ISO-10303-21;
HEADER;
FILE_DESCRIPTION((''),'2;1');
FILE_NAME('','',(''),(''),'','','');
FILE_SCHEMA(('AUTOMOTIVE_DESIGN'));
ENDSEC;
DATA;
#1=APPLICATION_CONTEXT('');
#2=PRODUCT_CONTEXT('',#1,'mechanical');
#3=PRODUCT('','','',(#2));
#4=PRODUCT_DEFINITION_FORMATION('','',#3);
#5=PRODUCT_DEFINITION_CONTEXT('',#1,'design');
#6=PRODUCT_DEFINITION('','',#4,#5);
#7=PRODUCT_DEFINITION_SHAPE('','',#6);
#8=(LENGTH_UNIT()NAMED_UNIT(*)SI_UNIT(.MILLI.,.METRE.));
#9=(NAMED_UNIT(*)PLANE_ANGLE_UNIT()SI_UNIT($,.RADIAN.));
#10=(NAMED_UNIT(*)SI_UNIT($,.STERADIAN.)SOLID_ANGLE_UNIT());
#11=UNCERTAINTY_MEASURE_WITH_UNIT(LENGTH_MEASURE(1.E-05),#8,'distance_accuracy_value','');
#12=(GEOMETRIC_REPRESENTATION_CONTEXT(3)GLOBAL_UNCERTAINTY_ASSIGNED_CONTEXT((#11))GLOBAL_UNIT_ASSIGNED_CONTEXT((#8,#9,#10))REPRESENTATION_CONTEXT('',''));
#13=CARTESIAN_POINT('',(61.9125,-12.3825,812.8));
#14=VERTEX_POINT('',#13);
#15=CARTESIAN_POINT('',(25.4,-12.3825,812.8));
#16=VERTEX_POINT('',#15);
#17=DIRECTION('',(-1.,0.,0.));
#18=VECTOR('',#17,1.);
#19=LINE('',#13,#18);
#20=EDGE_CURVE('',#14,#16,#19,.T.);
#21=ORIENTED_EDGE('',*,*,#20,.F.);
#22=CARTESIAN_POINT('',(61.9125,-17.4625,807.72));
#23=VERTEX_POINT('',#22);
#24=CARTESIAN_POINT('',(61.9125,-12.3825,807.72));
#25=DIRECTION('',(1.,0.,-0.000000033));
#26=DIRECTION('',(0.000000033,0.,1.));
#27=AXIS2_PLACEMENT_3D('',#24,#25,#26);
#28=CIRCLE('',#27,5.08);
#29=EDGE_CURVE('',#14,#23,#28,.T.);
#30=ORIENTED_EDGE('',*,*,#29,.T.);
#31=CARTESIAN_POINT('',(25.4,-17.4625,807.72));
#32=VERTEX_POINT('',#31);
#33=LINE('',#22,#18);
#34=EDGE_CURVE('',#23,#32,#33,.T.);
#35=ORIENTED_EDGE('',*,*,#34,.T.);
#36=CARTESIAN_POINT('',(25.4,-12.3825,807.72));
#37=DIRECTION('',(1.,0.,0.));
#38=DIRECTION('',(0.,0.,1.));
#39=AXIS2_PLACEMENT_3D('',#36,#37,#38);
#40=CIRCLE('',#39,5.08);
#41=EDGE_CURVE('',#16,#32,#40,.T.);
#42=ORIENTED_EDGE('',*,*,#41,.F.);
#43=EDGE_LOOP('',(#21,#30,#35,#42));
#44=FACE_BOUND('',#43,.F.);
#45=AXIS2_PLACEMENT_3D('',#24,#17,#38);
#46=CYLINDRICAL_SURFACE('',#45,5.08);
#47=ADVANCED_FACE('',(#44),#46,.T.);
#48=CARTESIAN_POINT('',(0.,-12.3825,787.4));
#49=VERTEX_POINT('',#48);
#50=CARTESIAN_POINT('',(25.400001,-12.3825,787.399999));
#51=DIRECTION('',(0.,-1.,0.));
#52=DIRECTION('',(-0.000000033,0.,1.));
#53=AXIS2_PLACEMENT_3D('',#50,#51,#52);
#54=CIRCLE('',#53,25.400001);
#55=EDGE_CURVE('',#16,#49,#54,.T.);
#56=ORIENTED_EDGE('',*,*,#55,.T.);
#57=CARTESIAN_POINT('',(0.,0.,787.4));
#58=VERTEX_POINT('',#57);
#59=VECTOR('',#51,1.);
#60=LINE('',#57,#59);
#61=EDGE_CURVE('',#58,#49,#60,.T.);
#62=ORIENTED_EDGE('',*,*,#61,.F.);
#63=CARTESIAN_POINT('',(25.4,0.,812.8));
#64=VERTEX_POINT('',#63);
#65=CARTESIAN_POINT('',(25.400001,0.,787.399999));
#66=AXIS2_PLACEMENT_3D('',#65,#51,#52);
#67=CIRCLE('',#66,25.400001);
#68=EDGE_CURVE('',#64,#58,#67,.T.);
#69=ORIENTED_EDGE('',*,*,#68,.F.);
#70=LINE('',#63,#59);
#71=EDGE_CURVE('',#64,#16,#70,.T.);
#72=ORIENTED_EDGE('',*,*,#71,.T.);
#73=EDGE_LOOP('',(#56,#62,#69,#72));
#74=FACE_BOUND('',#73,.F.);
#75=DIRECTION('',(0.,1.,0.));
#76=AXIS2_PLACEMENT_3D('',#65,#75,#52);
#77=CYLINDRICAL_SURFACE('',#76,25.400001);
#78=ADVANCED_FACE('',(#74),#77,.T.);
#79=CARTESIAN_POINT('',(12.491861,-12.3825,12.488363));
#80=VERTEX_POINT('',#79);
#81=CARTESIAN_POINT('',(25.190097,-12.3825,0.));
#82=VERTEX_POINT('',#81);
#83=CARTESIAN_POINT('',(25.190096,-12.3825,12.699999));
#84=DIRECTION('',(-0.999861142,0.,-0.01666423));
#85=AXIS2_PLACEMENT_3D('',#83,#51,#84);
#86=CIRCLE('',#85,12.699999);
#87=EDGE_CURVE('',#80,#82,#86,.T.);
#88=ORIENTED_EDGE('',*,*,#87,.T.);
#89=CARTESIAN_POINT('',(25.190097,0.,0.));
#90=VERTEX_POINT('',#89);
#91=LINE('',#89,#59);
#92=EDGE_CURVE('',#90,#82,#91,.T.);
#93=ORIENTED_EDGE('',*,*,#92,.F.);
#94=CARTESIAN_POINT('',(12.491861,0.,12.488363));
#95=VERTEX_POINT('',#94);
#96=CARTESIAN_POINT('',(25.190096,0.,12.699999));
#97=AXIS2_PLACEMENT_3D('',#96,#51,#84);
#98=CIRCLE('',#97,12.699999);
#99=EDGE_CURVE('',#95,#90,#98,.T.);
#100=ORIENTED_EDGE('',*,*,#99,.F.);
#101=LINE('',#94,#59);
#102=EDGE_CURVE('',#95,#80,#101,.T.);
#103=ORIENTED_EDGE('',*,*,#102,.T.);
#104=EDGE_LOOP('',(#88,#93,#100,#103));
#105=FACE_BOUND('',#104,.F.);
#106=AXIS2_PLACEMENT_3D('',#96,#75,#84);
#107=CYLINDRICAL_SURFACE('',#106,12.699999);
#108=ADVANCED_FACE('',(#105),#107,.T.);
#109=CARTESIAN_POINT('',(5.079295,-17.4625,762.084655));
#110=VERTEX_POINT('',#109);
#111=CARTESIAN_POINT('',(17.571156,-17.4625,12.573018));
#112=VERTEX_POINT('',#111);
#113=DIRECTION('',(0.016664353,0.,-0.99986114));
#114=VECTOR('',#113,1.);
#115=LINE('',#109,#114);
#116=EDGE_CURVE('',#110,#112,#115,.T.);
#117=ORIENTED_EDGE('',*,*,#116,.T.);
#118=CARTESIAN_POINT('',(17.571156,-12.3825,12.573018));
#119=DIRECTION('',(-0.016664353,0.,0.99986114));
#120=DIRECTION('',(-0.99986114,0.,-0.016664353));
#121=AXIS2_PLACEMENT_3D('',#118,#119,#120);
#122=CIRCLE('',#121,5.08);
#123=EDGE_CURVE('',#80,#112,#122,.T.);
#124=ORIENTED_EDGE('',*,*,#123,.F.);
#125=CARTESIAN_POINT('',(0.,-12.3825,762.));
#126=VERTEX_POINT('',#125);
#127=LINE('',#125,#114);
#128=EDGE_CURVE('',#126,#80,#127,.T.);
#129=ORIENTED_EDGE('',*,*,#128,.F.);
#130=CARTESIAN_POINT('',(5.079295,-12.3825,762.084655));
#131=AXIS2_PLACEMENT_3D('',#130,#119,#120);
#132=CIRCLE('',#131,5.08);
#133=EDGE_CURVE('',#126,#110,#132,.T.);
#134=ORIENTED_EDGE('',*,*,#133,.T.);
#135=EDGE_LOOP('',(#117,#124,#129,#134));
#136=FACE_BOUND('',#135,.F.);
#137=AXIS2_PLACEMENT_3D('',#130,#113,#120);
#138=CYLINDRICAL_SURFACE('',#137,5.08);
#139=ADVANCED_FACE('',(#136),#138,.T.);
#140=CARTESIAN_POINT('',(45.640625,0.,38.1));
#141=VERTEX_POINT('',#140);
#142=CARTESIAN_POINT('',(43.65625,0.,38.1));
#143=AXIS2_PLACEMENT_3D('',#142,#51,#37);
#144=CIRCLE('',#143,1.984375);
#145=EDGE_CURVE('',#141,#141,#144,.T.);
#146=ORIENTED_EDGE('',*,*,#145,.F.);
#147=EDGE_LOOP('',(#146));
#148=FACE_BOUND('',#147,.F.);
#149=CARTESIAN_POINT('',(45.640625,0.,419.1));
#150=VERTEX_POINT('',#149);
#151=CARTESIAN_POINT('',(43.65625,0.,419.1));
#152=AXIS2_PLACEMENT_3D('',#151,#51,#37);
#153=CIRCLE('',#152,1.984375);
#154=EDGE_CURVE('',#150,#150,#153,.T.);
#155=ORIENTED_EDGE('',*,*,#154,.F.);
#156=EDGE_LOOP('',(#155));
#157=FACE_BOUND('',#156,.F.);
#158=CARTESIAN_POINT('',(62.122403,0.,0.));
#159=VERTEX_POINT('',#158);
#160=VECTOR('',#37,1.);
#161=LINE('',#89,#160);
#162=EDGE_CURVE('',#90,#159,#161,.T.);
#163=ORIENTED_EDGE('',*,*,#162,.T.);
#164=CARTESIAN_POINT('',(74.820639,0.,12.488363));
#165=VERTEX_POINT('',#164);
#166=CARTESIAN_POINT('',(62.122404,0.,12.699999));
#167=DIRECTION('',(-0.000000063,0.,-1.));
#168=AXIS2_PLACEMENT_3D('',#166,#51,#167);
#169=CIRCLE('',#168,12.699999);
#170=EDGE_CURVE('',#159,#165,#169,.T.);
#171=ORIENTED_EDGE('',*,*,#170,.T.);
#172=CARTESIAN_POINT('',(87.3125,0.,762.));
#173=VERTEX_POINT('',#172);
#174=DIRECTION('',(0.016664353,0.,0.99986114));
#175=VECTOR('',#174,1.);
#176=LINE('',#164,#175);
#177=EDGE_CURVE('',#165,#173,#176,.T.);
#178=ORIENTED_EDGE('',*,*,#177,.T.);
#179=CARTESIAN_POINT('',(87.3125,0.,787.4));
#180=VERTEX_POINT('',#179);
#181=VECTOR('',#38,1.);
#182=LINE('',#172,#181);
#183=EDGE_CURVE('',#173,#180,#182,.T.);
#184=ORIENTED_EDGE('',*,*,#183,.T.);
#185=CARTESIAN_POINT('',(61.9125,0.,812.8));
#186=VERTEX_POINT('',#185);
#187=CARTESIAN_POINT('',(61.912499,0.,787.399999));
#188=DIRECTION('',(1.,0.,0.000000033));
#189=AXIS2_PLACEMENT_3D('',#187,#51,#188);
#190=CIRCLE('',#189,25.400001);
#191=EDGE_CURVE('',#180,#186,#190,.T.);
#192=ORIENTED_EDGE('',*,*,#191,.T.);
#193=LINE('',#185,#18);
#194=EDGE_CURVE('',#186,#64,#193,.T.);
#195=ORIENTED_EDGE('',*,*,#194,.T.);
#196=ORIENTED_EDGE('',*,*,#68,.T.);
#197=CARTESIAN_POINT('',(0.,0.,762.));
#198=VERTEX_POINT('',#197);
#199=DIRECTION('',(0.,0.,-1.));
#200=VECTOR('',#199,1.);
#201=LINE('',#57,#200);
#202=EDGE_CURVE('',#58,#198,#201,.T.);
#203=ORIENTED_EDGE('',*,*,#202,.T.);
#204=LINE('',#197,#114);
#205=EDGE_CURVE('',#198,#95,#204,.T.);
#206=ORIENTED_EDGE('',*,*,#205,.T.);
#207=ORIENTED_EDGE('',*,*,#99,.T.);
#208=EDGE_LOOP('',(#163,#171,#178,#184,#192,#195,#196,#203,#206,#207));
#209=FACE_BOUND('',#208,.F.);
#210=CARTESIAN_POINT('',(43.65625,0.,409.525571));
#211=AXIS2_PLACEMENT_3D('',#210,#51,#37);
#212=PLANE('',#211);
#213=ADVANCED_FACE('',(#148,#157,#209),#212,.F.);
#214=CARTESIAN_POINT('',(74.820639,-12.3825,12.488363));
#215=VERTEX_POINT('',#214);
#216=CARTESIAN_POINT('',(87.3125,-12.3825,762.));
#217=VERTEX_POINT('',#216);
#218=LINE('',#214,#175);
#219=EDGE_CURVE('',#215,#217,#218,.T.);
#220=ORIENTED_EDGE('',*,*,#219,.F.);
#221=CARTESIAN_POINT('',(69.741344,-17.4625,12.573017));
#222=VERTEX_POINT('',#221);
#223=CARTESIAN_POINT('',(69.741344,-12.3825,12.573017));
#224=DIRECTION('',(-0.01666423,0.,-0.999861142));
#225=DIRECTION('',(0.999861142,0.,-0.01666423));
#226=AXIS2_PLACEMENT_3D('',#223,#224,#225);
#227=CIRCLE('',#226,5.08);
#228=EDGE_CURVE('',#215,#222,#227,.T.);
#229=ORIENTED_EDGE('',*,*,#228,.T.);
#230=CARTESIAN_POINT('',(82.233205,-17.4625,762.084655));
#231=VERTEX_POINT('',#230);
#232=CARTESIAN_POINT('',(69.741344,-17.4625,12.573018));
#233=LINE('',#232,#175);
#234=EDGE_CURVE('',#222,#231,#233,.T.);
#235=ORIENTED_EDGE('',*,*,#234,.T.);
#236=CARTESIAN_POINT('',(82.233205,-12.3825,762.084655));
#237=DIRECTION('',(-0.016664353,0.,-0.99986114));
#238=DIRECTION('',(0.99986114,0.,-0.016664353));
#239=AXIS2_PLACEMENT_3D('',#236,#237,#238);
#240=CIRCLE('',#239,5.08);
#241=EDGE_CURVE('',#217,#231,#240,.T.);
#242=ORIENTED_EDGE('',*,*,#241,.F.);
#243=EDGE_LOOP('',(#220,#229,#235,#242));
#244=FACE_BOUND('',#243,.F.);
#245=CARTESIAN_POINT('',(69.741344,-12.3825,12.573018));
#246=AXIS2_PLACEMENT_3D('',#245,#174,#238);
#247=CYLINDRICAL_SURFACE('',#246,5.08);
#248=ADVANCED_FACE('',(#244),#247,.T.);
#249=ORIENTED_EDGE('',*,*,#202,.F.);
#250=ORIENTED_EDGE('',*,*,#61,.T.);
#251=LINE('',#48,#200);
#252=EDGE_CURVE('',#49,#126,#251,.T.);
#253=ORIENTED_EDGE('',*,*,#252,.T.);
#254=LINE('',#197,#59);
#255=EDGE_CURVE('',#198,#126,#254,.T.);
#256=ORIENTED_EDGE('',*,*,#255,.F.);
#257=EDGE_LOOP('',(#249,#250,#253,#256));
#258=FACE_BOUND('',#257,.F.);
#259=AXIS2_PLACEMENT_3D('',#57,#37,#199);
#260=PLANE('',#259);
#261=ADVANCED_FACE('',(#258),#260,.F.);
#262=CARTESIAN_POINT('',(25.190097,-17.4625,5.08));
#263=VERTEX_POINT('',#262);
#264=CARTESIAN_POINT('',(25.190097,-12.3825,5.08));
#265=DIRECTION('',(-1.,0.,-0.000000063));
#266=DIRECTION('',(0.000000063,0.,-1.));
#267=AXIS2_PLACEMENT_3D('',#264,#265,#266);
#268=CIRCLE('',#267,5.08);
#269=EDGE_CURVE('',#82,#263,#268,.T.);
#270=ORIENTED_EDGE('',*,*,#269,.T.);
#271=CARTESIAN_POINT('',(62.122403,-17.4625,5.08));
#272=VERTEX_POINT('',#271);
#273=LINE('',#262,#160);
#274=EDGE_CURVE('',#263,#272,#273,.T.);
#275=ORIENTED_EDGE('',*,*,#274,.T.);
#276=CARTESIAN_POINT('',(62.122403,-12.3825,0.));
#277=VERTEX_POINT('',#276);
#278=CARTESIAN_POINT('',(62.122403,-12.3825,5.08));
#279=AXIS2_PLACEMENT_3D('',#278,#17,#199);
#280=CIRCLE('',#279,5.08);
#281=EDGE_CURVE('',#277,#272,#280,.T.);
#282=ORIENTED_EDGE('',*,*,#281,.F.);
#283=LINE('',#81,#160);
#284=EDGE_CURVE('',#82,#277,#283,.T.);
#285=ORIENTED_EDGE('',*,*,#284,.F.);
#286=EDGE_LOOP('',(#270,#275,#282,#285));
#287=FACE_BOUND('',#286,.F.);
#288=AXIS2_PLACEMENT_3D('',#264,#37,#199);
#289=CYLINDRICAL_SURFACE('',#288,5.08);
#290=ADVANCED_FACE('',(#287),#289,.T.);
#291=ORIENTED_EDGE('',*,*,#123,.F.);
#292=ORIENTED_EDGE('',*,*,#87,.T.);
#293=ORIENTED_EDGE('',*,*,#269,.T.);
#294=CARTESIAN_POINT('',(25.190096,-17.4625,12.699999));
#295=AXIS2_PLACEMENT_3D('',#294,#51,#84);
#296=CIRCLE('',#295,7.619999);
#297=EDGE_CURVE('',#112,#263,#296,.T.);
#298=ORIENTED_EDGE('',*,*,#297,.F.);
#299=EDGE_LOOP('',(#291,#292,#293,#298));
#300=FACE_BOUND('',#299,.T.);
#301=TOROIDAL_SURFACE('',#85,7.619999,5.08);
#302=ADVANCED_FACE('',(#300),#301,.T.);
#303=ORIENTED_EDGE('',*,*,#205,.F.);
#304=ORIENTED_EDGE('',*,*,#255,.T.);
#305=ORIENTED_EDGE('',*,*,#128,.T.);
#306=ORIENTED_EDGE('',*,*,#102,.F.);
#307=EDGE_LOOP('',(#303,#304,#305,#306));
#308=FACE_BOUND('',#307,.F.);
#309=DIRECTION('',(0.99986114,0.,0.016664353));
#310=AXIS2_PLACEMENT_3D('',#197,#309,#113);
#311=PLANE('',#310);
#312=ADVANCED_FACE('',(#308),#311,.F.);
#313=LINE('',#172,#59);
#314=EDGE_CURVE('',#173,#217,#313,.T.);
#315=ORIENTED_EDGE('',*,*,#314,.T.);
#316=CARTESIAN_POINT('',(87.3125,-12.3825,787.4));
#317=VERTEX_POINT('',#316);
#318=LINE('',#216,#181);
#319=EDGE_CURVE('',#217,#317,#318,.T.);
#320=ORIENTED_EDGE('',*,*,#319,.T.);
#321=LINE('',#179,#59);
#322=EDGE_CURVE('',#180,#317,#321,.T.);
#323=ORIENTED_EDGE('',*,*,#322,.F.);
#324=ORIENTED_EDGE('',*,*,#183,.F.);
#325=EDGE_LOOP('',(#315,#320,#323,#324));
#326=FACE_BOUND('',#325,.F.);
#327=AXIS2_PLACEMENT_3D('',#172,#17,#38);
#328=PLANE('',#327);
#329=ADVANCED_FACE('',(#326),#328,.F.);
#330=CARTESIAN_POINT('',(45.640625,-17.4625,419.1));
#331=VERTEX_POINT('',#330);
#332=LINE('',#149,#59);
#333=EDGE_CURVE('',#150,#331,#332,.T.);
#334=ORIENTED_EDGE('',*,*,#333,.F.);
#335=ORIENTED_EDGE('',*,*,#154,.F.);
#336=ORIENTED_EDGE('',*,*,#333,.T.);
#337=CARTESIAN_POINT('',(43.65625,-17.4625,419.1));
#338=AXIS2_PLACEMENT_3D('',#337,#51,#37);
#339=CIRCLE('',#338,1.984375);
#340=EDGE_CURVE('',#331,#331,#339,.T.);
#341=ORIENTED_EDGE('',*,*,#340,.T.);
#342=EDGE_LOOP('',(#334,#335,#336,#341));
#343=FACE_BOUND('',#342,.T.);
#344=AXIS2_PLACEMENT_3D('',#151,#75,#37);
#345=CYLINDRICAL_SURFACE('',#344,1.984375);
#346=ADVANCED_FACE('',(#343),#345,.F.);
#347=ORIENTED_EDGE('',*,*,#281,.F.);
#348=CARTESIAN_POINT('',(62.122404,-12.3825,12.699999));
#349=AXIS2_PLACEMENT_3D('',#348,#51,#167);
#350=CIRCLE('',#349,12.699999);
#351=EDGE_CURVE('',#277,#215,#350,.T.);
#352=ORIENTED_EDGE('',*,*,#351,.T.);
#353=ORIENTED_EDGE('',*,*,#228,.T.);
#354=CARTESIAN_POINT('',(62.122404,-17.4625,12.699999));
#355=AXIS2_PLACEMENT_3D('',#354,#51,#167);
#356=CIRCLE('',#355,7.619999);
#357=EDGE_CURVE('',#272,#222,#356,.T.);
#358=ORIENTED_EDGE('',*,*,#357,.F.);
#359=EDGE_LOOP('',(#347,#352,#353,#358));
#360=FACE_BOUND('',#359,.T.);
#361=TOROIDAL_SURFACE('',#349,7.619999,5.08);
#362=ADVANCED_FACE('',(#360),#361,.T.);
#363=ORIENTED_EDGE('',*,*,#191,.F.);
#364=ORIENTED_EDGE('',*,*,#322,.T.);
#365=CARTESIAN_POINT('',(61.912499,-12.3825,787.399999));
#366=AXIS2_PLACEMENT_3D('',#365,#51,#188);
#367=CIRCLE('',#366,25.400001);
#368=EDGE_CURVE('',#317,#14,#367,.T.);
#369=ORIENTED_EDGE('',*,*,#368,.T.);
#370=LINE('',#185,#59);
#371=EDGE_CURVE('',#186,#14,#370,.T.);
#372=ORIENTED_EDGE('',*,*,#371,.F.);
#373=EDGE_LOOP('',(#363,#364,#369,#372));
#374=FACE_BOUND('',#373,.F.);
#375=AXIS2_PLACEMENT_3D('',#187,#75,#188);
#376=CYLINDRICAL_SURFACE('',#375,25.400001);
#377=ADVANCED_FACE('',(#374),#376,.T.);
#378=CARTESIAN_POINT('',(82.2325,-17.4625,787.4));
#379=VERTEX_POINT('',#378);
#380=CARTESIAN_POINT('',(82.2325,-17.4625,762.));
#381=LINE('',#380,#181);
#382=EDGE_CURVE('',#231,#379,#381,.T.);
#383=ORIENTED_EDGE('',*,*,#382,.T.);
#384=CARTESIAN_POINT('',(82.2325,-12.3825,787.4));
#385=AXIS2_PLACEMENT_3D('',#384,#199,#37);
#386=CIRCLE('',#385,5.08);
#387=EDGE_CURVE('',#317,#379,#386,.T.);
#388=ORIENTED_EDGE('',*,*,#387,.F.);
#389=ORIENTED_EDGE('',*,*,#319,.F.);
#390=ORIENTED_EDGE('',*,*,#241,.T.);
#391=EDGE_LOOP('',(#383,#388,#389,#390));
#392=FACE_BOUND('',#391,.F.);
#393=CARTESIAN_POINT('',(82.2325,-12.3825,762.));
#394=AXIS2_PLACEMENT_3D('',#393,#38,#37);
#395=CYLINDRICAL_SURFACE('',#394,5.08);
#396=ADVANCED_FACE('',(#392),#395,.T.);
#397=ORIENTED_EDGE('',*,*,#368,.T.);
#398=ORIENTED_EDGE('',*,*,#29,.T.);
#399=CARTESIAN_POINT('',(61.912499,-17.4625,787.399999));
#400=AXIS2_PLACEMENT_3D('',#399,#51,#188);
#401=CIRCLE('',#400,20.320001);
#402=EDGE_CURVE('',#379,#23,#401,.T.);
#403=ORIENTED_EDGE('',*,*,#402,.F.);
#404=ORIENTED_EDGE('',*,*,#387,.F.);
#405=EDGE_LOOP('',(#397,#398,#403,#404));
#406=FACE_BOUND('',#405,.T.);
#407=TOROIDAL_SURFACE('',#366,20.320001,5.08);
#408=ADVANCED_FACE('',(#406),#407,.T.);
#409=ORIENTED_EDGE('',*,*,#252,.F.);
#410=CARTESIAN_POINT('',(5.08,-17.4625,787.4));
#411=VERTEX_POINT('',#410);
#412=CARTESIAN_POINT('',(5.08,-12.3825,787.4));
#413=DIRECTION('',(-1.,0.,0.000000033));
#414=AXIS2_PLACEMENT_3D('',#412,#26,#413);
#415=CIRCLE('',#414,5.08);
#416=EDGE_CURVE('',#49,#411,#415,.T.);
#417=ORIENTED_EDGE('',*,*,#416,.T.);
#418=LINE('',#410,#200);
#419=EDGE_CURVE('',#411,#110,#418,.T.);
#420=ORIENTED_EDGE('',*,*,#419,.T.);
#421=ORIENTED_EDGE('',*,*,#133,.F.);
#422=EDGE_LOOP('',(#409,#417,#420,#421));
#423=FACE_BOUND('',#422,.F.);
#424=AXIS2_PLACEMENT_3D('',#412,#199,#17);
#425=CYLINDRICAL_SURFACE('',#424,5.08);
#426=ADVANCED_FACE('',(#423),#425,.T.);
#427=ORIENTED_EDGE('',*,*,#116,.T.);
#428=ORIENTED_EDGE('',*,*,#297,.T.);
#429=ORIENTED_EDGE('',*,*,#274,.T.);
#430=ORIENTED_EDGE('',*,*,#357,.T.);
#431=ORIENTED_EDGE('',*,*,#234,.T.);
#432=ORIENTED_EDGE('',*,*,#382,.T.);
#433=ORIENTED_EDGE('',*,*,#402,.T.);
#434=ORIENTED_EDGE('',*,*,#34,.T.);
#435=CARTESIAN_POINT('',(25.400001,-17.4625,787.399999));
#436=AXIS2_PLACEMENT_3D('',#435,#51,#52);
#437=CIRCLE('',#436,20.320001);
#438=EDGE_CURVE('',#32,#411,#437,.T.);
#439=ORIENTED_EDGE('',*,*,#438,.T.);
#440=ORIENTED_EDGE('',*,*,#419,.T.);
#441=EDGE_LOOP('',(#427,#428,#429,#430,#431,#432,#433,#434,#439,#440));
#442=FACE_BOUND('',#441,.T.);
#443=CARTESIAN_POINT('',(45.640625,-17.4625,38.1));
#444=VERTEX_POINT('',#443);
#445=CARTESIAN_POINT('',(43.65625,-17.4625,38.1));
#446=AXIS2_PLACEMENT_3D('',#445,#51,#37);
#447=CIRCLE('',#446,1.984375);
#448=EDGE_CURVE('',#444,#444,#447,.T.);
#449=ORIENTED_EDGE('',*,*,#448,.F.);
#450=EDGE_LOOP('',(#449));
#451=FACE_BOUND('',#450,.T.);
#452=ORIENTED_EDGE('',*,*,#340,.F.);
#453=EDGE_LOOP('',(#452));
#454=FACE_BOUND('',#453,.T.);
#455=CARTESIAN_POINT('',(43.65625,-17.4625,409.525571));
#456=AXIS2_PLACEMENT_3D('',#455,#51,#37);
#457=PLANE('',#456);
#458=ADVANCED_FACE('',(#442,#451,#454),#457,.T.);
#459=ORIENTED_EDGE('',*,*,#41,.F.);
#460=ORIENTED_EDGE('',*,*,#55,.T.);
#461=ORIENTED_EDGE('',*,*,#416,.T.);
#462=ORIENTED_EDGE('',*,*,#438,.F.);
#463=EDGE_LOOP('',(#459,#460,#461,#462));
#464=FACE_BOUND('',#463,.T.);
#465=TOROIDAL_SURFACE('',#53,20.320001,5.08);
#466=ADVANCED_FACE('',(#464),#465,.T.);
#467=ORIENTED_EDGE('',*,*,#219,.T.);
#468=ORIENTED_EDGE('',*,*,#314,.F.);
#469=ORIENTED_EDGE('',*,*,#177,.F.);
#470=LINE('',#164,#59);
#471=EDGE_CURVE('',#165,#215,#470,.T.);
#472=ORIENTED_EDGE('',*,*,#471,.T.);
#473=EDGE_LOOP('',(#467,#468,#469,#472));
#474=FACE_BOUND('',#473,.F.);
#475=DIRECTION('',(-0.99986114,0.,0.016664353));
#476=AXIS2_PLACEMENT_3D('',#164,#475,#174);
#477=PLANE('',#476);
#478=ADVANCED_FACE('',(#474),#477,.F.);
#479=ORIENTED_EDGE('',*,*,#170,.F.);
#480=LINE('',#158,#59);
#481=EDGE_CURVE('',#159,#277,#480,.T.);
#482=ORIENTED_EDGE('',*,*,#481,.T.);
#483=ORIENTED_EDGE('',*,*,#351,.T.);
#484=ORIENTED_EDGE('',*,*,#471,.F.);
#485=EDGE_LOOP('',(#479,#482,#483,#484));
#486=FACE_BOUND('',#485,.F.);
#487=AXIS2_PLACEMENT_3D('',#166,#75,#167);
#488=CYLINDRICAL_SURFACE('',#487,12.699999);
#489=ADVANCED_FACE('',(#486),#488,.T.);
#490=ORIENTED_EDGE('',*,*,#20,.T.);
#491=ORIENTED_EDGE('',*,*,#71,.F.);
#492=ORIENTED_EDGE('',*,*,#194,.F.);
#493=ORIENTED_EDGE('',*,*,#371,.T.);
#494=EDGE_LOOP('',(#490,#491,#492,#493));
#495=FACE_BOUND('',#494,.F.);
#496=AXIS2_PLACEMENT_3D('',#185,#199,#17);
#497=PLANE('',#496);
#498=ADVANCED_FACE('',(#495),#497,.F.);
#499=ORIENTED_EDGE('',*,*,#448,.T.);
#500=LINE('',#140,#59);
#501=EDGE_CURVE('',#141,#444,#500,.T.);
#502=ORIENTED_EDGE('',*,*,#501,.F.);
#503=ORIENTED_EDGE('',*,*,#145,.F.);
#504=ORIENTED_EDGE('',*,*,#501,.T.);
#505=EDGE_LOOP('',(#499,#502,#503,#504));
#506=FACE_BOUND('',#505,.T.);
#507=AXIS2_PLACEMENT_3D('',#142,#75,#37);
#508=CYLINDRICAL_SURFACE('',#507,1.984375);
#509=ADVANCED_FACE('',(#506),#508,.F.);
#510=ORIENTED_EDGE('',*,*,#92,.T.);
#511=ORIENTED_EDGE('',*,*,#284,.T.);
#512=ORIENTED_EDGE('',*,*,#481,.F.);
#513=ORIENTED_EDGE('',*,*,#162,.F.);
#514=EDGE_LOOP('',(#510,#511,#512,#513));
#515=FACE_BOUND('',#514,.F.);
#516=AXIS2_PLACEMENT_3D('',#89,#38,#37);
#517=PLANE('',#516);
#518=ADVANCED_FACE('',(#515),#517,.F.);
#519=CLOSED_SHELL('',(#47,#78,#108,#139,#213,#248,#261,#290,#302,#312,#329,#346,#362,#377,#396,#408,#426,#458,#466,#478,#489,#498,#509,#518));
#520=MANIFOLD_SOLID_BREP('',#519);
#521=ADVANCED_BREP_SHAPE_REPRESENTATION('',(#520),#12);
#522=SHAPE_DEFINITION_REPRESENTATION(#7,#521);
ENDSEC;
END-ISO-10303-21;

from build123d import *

# Parameters (mm, degrees)
F0_R     = 1.984375
F1_DEPTH = 17.4625
F2_R     = 5.08


with BuildPart() as f1:
    # F0 (on Front) → F1 (new body)
    with BuildSketch(Plane.XZ):
        with BuildLine():
            Line((61.9125, 812.8), (25.4, 812.8))
            ThreePointArc((25.4, 812.8), (7.439488, 805.360512), (0, 787.4))
            Line((0, 787.4), (0, 762))
            Line((0, 762), (12.491861, 12.488363))
            ThreePointArc((12.491861, 12.488363), (16.28498, 3.645228), (25.190097, 0))
            Line((25.190097, 0), (62.122403, 0))
            ThreePointArc((62.122403, 0), (71.02752, 3.645228), (74.820639, 12.488363))
            Line((74.820639, 12.488363), (87.3125, 762))
            Line((87.3125, 762), (87.3125, 787.4))
            ThreePointArc((87.3125, 787.4), (79.873012, 805.360512), (61.9125, 812.8))
        make_face()
        with Locations((43.65625, 38.1)):
            Circle(F0_R, mode=Mode.SUBTRACT)
        with Locations((43.65625, 419.1)):
            Circle(F0_R, mode=Mode.SUBTRACT)
    extrude(amount=F1_DEPTH)

    # F2
    f2_edges = [f1.edges().sort_by_distance(p)[0] for p in [
        (6.24593, -17.4625, 387.244181),
        (7.439488, -17.4625, 805.360512),
    ]]
    fillet(f2_edges, radius=F2_R)


solid = f1.part
